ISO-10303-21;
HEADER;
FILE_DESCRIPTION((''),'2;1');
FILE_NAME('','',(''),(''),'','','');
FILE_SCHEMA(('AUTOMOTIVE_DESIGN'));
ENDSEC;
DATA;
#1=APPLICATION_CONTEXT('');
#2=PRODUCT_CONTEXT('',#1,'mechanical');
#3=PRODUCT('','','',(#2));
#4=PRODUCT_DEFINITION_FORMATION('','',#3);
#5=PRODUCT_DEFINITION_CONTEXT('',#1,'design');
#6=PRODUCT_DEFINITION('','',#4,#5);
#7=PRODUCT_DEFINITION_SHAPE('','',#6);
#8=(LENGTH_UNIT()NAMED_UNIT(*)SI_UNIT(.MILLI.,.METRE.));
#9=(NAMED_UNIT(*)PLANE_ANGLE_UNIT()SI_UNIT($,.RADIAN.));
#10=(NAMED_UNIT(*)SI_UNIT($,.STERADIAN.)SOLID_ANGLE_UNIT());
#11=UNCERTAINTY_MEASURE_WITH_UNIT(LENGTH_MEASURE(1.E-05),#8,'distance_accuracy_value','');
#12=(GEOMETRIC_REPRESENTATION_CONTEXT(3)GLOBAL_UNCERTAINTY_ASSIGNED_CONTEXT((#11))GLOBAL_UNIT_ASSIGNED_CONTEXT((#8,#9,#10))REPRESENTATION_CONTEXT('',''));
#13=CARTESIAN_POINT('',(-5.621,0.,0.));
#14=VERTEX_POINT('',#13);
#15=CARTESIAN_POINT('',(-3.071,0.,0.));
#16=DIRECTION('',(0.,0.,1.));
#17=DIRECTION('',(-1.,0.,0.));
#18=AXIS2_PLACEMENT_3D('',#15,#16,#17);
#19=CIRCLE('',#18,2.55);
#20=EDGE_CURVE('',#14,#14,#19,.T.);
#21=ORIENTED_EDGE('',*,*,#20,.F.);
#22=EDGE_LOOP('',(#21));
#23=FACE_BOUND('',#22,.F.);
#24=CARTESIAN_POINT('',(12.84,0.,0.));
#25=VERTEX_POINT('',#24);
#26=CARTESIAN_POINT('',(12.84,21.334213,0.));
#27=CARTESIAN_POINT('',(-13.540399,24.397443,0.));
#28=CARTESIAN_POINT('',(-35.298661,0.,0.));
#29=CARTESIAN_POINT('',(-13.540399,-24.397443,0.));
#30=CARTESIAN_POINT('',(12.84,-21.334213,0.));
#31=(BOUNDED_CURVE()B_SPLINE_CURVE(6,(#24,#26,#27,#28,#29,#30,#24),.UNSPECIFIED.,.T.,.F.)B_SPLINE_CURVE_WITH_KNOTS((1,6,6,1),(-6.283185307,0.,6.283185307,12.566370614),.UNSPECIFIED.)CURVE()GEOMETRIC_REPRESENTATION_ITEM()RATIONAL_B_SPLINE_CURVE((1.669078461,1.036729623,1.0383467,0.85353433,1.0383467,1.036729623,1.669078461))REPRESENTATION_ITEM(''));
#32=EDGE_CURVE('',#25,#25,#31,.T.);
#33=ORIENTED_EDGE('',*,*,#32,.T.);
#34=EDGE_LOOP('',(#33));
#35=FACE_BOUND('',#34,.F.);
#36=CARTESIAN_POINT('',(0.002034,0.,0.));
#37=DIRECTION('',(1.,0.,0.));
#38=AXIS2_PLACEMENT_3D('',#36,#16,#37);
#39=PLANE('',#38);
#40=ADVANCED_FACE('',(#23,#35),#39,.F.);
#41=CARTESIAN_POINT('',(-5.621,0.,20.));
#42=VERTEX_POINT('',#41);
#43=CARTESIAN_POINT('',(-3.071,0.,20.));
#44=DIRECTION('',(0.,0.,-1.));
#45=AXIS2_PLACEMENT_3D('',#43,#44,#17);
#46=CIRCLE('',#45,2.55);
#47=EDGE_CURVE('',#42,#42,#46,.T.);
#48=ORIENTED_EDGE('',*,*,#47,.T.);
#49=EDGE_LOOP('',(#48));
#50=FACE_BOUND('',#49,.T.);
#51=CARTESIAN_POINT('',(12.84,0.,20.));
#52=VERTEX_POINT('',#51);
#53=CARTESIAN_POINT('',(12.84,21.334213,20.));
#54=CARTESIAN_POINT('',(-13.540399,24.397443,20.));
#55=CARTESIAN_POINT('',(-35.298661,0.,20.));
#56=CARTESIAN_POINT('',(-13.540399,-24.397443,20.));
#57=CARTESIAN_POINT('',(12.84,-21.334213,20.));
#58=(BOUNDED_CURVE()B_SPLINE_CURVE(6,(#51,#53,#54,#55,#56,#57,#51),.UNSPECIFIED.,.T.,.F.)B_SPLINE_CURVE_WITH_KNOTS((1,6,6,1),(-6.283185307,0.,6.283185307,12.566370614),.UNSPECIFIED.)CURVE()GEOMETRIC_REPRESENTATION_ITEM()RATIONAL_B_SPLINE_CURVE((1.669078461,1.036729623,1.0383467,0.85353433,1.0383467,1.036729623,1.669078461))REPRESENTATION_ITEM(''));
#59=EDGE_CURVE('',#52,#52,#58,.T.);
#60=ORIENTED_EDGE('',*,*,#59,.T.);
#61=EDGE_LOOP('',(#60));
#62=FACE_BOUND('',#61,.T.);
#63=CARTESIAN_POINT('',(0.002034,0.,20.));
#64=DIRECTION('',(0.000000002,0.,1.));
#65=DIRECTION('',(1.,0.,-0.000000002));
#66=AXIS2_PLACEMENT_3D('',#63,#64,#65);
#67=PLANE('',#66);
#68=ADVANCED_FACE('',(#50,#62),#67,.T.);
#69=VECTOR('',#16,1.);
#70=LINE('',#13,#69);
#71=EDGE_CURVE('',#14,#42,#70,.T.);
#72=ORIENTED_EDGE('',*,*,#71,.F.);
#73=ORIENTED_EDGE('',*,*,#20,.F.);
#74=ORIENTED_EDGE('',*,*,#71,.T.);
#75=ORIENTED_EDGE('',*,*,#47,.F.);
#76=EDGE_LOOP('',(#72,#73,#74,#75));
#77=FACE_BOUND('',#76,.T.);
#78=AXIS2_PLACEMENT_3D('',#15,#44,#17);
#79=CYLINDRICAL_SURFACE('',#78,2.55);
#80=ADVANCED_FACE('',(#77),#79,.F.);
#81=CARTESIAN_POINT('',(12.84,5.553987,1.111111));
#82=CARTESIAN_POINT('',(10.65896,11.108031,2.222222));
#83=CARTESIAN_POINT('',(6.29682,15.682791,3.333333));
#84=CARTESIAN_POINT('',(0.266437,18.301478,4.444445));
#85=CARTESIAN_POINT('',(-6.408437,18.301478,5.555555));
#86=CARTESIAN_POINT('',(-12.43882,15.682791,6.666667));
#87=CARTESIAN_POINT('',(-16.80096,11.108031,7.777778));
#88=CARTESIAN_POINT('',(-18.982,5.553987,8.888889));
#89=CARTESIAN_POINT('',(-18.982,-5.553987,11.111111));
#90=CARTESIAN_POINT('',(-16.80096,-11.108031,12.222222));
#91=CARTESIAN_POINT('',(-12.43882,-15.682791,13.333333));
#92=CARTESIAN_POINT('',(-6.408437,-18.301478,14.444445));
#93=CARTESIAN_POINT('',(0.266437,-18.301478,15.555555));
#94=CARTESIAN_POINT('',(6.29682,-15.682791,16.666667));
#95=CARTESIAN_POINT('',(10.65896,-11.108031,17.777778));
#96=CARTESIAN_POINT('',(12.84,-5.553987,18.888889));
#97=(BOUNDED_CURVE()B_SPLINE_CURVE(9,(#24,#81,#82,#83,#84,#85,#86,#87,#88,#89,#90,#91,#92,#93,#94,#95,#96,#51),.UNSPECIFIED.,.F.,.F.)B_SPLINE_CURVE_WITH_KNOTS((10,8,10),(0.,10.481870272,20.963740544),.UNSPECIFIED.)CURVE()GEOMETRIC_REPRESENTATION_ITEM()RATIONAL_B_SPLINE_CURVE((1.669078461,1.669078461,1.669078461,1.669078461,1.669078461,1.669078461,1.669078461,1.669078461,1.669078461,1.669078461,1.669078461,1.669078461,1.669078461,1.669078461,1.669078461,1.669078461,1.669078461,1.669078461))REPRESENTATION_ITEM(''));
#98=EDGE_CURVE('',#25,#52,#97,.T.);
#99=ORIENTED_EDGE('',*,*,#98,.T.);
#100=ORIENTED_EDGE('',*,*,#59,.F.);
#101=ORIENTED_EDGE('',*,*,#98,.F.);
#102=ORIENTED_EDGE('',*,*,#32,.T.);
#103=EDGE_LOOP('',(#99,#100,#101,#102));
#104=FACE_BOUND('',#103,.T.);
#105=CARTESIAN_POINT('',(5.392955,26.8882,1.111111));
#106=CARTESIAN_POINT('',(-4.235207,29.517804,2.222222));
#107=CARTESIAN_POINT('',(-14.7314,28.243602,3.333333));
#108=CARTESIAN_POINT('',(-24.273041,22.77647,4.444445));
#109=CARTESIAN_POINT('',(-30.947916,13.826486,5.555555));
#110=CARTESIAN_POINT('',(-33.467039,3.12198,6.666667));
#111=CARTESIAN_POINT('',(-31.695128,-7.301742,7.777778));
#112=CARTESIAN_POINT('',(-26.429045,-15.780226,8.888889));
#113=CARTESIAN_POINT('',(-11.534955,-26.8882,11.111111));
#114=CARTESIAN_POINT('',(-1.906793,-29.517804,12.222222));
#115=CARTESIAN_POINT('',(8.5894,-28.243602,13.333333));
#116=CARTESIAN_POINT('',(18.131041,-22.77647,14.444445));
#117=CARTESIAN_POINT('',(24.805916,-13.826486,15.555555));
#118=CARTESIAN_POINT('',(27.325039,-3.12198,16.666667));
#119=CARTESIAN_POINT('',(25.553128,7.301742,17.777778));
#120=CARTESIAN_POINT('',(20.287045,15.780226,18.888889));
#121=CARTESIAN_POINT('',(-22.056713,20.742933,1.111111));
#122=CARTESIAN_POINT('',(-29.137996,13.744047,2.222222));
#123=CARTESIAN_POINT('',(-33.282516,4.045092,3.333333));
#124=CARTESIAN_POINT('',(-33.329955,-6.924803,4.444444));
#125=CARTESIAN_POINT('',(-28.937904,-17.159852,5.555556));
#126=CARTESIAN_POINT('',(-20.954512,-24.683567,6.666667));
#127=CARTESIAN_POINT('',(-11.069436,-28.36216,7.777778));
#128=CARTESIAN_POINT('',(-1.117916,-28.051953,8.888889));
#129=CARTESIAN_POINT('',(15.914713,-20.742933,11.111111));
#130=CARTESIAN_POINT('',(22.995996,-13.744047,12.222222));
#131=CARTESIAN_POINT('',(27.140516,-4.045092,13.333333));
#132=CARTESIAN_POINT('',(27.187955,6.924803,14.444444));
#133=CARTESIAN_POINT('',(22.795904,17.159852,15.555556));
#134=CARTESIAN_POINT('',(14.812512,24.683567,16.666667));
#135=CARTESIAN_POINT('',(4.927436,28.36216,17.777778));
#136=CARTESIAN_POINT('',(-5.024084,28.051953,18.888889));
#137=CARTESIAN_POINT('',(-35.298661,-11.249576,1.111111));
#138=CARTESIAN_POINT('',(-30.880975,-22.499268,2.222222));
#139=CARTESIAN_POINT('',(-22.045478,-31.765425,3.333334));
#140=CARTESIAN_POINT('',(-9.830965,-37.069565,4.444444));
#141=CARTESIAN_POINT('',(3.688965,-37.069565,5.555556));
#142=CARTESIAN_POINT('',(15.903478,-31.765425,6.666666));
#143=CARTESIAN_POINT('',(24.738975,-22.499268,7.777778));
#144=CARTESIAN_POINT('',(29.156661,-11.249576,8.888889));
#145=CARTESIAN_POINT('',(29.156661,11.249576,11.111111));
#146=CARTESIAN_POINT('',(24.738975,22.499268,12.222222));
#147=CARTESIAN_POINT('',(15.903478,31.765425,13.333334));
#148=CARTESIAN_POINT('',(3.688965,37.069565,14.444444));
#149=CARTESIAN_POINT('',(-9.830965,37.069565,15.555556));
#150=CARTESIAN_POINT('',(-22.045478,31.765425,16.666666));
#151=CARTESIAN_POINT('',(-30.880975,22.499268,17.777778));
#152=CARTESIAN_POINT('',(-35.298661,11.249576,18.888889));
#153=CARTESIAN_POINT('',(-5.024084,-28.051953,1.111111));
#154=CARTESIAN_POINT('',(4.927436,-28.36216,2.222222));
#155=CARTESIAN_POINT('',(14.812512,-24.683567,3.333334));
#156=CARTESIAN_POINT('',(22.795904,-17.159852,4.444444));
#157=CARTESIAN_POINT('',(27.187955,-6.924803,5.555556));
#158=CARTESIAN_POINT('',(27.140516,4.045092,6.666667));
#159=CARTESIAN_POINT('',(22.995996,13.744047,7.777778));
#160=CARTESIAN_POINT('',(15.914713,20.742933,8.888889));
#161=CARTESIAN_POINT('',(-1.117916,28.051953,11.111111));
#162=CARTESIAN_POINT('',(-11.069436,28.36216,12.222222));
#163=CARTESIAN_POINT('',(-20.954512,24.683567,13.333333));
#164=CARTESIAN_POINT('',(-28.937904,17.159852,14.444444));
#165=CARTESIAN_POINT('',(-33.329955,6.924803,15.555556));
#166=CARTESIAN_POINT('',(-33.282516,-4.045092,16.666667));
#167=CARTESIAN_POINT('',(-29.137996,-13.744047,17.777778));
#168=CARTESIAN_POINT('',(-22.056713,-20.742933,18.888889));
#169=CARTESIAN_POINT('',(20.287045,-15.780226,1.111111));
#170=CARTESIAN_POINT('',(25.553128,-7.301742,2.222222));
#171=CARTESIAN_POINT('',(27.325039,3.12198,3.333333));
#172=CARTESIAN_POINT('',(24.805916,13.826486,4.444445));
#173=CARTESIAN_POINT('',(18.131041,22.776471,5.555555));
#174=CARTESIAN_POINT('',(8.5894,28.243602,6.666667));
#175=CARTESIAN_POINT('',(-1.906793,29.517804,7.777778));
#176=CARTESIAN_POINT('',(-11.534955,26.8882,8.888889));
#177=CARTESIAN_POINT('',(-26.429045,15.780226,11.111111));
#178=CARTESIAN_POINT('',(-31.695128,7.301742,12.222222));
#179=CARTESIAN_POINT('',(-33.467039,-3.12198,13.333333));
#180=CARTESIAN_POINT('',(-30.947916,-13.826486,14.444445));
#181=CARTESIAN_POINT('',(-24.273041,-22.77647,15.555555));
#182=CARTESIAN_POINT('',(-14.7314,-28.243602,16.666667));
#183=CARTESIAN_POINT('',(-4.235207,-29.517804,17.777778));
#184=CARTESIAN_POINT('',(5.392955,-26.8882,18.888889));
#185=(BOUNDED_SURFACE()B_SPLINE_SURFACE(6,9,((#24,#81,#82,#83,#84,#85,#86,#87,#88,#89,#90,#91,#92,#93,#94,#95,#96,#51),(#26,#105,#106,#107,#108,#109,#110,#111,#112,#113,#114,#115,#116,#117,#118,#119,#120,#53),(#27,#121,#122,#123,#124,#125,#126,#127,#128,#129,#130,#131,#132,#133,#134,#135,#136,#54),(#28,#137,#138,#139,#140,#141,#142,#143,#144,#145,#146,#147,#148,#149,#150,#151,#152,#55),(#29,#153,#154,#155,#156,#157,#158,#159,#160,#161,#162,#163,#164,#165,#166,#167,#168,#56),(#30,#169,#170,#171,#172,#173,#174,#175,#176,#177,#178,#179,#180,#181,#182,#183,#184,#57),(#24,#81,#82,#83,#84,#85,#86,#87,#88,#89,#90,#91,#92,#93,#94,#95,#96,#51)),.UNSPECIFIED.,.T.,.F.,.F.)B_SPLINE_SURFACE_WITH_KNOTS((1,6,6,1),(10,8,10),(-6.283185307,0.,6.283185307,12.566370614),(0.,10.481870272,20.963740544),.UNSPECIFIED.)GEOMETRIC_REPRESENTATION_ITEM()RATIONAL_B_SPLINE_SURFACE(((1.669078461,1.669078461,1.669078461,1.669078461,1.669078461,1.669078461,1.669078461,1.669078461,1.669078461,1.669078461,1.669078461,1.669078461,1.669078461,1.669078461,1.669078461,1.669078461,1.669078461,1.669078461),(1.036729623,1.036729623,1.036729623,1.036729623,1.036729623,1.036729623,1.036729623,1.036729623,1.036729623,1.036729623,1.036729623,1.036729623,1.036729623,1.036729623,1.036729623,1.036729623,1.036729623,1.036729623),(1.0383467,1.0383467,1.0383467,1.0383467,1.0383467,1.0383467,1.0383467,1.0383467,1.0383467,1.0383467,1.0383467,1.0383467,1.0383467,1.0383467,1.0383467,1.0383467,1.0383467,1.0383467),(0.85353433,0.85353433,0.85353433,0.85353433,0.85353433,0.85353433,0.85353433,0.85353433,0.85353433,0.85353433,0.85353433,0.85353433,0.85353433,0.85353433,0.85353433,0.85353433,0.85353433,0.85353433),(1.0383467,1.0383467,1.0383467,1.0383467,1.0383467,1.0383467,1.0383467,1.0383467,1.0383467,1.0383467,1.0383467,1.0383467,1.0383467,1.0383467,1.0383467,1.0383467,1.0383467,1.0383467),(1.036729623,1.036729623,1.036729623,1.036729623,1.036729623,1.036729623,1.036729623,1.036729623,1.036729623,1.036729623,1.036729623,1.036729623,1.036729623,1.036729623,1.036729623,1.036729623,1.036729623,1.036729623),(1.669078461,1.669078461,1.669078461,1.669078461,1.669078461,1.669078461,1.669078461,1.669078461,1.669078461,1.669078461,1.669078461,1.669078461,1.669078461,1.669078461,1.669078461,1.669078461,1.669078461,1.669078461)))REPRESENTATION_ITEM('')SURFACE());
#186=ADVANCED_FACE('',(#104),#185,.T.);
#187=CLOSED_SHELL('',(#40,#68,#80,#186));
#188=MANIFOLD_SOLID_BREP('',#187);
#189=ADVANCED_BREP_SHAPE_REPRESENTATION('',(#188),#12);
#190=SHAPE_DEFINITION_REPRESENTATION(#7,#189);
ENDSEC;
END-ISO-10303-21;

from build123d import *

# Parameters (mm, degrees)
AUSTRAGUNG1_PITCH               = 20
AUSTRAGUNG1_HEIGHT              = 20
AUSTRAGUNG1_RADIUS              = 2.55
SKIZZE2_R                       = 12.84
SKIZZE3_2_R                     = 2.55
SCHNITT_LINEAR_AUSTRAGEN2_DEPTH = 27


with BuildPart() as part:
    # Austragung1: sweep along a helix
    with BuildLine() as austragung1_path:
        Helix(AUSTRAGUNG1_PITCH, AUSTRAGUNG1_HEIGHT, AUSTRAGUNG1_RADIUS, center=(-3.071, 0, 0), direction=(0, 0, 1))
    # Skizze2 → Austragung1 (sweep)
    with BuildSketch(Plane.XY):
        Circle(SKIZZE2_R)
    sweep(path=austragung1_path.line, is_frenet=True)

    # Skizze3<2> → Schnitt-Linear austragen2 (cut)
    with BuildSketch(Plane.XY):
        with Locations(Location((-3.071, 0, 0), (0, 0, 180))):
            Circle(SKIZZE3_2_R)
    extrude(amount=SCHNITT_LINEAR_AUSTRAGEN2_DEPTH, mode=Mode.SUBTRACT)


solid = part.part
